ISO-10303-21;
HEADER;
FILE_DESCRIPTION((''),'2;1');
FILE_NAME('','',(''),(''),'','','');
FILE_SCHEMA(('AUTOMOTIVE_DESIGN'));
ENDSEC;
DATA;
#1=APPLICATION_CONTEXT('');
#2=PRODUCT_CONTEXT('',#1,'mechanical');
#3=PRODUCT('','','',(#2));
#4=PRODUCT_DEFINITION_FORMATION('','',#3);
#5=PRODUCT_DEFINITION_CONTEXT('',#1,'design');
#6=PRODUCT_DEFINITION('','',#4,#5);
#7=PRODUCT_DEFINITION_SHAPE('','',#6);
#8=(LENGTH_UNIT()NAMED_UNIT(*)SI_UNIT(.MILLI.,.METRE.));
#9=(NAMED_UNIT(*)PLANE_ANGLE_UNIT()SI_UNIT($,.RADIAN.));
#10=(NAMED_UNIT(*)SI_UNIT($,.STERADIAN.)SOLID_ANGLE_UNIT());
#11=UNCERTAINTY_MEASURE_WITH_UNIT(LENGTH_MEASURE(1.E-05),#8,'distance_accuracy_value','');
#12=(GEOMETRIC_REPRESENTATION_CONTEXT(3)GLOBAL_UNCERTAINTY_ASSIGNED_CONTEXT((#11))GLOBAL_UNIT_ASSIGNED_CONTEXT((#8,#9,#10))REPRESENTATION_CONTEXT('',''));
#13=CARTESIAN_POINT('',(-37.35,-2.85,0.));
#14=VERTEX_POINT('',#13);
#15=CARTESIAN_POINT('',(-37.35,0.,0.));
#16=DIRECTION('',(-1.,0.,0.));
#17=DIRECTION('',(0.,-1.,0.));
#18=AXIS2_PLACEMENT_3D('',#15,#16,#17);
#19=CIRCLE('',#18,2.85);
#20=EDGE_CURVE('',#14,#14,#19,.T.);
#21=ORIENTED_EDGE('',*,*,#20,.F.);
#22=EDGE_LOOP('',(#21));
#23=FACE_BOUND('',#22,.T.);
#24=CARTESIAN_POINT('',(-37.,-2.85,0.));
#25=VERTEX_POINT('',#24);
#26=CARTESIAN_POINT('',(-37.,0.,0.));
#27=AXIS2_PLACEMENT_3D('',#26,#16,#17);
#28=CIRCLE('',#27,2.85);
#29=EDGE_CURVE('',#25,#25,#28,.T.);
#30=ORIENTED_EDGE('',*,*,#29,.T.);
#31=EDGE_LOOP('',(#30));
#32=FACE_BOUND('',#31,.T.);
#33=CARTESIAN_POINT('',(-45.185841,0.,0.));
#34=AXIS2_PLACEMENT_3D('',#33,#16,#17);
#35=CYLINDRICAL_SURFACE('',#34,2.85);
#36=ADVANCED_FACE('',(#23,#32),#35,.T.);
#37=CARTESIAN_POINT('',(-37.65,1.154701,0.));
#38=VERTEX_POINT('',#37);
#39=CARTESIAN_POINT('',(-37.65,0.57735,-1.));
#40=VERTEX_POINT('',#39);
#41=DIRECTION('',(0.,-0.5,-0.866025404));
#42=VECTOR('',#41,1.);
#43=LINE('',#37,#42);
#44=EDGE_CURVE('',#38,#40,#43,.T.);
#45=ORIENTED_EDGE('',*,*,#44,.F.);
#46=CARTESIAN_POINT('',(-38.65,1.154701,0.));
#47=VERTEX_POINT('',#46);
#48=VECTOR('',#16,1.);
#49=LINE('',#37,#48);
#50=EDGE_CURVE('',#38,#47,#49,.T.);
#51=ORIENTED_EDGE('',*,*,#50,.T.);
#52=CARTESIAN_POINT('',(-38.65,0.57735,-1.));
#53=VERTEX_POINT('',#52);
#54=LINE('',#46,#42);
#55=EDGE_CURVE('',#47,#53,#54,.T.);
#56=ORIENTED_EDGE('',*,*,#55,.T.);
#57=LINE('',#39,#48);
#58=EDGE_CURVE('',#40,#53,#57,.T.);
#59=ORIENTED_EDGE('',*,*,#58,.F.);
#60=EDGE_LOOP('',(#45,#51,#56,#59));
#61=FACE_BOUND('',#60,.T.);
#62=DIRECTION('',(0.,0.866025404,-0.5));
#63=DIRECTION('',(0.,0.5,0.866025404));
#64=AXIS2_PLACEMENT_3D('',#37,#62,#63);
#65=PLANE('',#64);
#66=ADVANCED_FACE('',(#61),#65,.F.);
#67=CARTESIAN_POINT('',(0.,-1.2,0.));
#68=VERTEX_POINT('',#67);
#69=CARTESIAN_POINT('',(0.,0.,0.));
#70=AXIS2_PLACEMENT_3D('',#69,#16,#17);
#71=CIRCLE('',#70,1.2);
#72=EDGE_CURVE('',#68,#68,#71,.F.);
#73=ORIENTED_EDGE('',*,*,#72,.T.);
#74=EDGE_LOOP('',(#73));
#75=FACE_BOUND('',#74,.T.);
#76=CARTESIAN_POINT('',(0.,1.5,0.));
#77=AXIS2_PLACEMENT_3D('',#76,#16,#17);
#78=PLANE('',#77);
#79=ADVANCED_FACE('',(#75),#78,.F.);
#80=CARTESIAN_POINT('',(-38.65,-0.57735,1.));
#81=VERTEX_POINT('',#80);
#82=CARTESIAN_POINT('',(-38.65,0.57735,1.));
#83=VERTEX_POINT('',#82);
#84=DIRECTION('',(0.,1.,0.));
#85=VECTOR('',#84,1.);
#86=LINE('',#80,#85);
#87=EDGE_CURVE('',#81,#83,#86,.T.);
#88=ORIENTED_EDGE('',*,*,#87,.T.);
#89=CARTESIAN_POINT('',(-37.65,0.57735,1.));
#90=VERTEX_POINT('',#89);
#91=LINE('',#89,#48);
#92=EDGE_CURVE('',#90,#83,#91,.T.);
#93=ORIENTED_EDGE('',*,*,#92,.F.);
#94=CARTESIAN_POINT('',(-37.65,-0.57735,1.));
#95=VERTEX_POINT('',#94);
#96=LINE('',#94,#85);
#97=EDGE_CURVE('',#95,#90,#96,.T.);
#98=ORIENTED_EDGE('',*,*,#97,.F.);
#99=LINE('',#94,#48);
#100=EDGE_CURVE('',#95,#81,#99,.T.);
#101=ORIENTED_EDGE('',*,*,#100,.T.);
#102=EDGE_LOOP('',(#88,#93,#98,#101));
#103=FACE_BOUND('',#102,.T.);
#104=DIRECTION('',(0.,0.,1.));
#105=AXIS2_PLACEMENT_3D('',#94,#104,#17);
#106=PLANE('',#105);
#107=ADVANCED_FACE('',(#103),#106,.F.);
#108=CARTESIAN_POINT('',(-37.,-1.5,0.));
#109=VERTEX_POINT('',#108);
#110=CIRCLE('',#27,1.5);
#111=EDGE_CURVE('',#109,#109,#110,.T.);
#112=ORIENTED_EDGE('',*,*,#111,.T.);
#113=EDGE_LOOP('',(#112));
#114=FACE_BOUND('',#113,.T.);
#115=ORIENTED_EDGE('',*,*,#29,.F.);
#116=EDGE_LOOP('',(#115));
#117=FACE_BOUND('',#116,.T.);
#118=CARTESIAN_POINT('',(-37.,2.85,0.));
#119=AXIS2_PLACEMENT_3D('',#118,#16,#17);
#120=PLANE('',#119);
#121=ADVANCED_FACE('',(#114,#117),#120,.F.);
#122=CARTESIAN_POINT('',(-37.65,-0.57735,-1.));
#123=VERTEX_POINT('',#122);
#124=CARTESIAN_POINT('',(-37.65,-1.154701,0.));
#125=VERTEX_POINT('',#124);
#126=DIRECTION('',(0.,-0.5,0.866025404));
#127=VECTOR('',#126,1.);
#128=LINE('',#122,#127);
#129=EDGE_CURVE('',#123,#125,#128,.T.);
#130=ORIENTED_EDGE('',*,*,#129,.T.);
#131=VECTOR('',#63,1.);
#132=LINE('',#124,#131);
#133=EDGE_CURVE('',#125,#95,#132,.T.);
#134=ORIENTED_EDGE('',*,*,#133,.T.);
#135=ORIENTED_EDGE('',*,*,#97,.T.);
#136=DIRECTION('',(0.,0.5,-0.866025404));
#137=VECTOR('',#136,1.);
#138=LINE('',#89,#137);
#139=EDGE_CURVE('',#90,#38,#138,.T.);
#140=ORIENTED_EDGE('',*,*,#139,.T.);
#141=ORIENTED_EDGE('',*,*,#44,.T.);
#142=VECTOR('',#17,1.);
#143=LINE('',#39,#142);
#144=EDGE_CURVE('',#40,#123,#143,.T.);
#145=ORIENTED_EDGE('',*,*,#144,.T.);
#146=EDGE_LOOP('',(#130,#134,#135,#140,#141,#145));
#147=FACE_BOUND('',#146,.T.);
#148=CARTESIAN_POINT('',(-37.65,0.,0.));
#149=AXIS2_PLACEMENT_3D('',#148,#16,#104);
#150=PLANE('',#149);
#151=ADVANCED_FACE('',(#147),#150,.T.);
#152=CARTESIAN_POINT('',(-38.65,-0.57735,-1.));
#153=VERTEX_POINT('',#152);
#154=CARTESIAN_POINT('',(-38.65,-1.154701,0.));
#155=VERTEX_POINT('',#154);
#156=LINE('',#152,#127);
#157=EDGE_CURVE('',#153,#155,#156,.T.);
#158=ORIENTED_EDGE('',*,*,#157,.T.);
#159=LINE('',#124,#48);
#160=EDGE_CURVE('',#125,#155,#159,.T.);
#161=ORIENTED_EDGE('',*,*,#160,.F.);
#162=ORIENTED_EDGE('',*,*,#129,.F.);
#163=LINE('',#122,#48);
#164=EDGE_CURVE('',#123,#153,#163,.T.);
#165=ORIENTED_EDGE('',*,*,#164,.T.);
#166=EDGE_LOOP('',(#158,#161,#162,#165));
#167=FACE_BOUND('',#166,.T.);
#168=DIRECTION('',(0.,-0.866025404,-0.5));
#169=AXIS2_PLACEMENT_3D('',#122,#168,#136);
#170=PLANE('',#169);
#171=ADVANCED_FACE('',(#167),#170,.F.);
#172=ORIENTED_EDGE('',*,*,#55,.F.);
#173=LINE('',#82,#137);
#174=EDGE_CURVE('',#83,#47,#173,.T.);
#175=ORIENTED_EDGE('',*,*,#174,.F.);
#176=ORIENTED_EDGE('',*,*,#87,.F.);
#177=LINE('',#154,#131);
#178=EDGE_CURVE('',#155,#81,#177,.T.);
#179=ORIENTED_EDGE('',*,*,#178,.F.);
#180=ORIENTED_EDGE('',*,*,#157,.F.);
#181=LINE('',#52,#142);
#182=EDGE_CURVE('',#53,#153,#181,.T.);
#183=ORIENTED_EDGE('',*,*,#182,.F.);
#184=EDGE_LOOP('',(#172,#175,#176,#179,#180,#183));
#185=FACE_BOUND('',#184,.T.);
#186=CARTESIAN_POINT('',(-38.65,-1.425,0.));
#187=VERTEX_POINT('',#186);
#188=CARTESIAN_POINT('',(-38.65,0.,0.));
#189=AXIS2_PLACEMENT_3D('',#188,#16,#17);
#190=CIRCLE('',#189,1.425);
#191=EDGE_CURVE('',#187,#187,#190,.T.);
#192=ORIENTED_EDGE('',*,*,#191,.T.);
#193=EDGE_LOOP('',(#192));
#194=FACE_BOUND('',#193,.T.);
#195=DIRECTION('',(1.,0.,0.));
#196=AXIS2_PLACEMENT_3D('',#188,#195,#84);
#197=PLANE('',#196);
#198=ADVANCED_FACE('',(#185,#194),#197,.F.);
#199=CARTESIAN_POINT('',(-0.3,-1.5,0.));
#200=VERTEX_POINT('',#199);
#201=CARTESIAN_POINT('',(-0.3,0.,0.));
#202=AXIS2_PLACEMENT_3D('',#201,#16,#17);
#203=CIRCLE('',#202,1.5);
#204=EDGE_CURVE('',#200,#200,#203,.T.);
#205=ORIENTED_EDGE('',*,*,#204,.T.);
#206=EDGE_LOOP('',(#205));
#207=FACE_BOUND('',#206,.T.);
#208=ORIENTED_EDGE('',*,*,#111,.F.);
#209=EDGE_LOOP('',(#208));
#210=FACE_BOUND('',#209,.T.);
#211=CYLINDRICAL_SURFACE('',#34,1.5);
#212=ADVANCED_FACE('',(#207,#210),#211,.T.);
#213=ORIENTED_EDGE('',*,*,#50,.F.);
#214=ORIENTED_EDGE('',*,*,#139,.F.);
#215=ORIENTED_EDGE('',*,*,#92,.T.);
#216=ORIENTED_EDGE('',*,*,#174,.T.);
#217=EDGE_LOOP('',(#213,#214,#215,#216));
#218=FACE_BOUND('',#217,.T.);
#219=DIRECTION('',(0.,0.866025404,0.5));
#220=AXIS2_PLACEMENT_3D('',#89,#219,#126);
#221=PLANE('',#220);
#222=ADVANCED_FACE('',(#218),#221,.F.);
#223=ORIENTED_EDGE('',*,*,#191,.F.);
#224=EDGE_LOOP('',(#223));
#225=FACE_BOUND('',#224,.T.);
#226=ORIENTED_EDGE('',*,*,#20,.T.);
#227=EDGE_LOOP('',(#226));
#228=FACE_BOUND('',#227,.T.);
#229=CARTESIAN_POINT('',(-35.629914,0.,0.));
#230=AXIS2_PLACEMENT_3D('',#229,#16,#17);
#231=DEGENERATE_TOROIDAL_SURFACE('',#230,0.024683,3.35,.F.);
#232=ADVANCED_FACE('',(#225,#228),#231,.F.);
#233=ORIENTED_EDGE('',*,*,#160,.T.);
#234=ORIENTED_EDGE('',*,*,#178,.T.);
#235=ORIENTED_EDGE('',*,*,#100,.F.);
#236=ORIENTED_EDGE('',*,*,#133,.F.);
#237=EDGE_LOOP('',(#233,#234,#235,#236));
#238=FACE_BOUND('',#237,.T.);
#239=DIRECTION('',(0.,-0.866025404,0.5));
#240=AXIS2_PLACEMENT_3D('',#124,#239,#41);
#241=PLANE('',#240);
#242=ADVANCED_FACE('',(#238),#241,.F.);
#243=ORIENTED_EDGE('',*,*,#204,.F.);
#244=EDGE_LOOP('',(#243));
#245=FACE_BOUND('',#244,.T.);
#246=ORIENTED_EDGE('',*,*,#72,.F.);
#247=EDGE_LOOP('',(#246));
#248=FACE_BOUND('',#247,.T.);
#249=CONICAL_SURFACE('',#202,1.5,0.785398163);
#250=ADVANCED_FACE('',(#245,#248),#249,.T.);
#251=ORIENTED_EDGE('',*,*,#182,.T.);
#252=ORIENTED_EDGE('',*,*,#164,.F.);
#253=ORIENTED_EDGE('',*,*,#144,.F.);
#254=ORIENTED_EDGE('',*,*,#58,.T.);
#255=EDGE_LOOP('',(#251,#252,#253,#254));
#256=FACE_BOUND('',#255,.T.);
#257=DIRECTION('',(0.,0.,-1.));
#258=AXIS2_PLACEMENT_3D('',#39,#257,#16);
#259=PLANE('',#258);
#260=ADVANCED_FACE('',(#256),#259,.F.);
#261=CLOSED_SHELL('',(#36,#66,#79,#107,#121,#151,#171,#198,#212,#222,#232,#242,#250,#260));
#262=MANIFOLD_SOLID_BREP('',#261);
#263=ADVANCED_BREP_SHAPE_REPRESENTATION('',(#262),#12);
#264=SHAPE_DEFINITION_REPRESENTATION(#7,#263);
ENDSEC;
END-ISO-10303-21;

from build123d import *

# Parameters (mm, degrees)
CUT_EXTRUDE1_DEPTH = 1
CHAMFER1_SIZE      = 0.3


with BuildPart() as part:
    # Sketch1 → Revolve1 (revolve)
    with BuildSketch(Plane.XY, mode=Mode.PRIVATE) as revolve1_sk:
        with BuildLine():
            Line((-38.65, 0), (-38.65, 1.425))
            ThreePointArc((-38.65, 1.425), (-38.104780452, 2.233089184), (-37.35, 2.85))
            Line((-37.35, 2.85), (-37, 2.85))
            Line((-37, 2.85), (-37, 1.5))
            Line((-37, 1.5), (0, 1.5))
            Line((0, 1.5), (0, 0))
            Line((0, 0), (-38.65, 0))
        make_face()
    revolve(revolve1_sk.sketch.rotate(Axis((-45.185840708, 0, 0), (1, 0, 0)), 180), axis=Axis((-45.185840708, 0, 0), (1, 0, 0)))

    # Sketch2 → Cut-Extrude1 (cut)
    with BuildSketch(Plane.ZY.offset(38.65)):
        Polygon((0, 1.154700538), (-1, 0.577350269), (-1, -0.577350269), (0, -1.154700538), (1, -0.577350269), (1, 0.577350269), align=None)
    extrude(amount=-CUT_EXTRUDE1_DEPTH, mode=Mode.SUBTRACT)

    # Chamfer1
    chamfer1_edges = [part.edges().sort_by_distance(p)[0] for p in [
        (0, 1.5, 0),
    ]]
    chamfer(chamfer1_edges, length=CHAMFER1_SIZE)


solid = part.part
